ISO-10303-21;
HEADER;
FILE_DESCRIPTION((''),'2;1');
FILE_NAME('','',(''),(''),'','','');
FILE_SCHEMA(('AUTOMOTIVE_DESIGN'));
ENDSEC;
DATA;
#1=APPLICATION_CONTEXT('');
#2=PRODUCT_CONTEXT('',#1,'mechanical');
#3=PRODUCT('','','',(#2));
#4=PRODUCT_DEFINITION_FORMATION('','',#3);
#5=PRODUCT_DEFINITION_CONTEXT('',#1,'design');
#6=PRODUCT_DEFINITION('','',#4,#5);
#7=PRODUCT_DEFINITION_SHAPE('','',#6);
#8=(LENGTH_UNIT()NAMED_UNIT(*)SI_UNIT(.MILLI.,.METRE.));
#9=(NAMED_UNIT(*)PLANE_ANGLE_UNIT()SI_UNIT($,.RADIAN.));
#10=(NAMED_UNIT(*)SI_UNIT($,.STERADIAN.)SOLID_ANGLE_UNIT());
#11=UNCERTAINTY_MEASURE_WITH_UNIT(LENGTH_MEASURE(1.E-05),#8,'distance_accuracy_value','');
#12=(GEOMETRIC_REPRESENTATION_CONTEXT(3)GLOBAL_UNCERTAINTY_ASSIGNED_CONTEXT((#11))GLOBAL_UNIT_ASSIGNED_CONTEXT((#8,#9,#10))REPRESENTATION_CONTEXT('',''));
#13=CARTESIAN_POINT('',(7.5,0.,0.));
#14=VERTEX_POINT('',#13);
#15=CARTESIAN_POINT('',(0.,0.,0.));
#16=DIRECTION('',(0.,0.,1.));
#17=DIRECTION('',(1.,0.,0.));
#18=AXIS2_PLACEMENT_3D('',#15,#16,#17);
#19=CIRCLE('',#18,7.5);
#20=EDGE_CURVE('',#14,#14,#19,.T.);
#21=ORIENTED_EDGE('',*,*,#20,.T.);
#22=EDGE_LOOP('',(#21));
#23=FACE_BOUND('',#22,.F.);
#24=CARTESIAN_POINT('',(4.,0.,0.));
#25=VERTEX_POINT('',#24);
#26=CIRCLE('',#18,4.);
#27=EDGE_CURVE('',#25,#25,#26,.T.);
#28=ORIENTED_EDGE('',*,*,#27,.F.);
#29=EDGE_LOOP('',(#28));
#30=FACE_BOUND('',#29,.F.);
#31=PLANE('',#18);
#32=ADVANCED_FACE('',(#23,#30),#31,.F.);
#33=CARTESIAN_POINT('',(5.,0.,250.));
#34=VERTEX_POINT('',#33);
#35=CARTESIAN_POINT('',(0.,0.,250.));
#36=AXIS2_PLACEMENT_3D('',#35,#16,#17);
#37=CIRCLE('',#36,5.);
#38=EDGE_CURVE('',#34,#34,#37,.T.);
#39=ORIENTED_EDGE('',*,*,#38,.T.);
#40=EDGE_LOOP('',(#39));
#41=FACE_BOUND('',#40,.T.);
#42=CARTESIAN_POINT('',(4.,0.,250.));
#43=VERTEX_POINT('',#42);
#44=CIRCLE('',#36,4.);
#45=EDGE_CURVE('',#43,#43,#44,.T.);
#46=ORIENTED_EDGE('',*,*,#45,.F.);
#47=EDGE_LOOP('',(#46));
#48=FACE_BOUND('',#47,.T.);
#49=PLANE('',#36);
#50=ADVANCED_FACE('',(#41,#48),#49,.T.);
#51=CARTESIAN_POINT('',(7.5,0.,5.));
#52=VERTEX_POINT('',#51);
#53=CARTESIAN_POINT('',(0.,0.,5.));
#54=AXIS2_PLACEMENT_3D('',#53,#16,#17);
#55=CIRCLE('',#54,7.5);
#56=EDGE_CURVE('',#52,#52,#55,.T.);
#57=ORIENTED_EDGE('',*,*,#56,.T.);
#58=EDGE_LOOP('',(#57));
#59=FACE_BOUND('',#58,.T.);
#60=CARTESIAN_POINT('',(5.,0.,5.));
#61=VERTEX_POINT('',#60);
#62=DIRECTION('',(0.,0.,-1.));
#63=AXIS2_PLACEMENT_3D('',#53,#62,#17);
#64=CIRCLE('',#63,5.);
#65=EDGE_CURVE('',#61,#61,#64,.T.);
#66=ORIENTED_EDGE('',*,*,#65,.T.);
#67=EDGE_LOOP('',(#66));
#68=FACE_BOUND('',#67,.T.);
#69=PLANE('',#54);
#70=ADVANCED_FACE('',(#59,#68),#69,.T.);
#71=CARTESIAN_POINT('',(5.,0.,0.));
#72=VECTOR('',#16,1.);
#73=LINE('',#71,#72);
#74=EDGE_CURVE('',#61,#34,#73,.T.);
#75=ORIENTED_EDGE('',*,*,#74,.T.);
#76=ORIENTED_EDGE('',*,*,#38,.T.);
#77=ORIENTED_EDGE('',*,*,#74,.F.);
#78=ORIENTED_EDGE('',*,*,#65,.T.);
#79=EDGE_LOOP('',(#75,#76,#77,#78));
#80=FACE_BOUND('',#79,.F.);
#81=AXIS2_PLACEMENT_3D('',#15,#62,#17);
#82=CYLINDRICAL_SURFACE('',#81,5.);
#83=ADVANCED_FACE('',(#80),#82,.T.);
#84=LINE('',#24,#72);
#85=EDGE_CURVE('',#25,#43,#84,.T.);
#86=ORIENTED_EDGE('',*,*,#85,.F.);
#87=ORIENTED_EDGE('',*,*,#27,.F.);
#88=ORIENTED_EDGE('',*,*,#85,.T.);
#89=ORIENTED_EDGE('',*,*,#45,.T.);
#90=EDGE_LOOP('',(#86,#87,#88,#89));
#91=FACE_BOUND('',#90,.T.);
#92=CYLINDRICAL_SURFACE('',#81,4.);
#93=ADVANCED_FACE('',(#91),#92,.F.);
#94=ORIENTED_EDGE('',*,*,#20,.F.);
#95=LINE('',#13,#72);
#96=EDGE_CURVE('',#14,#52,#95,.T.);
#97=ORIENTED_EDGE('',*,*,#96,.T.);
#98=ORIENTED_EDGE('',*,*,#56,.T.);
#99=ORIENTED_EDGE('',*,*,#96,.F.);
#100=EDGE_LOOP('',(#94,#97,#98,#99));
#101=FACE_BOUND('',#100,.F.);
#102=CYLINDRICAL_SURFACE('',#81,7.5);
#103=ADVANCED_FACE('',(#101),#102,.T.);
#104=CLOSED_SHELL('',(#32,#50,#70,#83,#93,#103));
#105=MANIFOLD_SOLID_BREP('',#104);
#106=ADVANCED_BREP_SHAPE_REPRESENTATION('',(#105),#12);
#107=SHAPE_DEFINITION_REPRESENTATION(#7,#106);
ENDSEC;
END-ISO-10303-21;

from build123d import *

# Parameters (mm, degrees)
SKETCH_R      = 5
SKETCH_R_2    = 4
PAD_DEPTH     = 250
SKETCH001_R   = 7.5
SKETCH001_R_2 = 4
PAD001_DEPTH  = 5


with BuildPart() as part:
    # Sketch → Pad (new body)
    with BuildSketch(Plane.XY):
        Circle(SKETCH_R)
        Circle(SKETCH_R_2, mode=Mode.SUBTRACT)
    extrude(amount=PAD_DEPTH)

    # Sketch001 → Pad001 (join)
    with BuildSketch(Plane.XY):
        Circle(SKETCH001_R)
        Circle(SKETCH001_R_2, mode=Mode.SUBTRACT)
    extrude(amount=PAD001_DEPTH)


solid = part.part
